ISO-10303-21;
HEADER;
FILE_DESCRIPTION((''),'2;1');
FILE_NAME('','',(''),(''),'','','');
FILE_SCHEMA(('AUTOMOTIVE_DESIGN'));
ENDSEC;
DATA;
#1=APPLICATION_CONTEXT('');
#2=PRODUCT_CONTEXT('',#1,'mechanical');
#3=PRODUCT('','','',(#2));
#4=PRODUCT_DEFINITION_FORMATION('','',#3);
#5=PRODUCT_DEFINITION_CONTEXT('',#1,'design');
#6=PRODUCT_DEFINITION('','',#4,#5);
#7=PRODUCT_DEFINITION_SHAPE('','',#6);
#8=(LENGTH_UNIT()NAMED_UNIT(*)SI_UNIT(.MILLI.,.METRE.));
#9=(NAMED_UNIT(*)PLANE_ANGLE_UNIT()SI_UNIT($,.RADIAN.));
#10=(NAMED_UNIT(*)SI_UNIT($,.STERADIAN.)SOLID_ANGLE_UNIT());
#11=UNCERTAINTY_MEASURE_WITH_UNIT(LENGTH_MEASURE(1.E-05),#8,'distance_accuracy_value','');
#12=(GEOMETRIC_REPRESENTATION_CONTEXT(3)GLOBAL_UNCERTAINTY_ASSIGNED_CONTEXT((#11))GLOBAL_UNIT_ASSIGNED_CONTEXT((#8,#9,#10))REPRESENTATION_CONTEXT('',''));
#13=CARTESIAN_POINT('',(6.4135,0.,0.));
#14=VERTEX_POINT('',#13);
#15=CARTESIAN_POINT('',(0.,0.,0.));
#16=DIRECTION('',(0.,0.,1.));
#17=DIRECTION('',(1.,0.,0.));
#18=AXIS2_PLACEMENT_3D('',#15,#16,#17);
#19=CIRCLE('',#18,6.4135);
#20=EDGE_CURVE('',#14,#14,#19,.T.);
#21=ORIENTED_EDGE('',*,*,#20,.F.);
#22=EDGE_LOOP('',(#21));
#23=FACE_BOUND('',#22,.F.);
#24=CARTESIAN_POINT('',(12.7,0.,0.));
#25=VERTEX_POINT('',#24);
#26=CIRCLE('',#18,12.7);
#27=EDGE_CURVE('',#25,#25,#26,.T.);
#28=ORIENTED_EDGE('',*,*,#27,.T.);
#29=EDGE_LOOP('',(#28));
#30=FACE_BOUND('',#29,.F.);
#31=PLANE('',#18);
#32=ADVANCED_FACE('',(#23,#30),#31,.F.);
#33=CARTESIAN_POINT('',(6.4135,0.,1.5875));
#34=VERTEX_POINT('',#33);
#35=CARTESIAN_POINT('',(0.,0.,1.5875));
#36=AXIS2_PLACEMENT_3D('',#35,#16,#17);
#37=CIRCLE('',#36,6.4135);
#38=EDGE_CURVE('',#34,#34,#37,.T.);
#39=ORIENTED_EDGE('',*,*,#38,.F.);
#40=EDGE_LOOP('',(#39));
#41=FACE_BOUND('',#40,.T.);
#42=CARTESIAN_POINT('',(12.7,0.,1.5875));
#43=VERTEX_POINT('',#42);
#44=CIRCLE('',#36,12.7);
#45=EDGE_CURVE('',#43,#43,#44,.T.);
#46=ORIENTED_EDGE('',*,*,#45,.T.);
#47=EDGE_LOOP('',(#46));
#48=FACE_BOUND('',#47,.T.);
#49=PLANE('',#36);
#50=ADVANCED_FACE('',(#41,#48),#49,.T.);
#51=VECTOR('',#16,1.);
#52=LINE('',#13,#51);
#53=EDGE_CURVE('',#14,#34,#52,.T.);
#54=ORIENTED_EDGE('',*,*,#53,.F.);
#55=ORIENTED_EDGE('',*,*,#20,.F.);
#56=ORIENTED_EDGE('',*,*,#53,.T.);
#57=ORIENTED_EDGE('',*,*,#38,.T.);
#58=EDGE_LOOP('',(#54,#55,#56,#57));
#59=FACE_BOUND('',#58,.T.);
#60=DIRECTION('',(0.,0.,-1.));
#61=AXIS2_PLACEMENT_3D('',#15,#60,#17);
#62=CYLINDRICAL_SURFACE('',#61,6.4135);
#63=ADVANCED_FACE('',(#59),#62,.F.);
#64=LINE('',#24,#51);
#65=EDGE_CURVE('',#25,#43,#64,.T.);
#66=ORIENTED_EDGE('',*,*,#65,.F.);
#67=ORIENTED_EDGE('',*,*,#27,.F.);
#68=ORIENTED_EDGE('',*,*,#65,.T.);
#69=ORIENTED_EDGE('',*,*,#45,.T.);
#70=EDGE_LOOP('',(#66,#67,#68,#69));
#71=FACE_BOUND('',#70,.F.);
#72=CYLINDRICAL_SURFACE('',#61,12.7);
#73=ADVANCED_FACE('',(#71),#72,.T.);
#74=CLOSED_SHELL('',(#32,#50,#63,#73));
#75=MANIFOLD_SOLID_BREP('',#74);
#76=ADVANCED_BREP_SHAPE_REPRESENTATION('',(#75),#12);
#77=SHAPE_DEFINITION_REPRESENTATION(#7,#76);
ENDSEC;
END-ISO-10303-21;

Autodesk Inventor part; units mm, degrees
ref_plane "YZ Plane" through (0, 0, 0) normal (1, 0, 0) x (0, 1, 0)
ref_plane "XZ Plane" through (0, 0, 0) normal (0, 1, 0) x (-1, 0, 0)
ref_plane "XY Plane" through (0, 0, 0) normal (0, 0, 1) x (1, 0, 0)
sketch "Sketch1" plane through (0, 0, 0) normal (0, 0, 1) x (1, 0, 0)
  circle A0 centre (0, 0) radius 6.4135
  circle A1 centre (0, 0) radius 12.7
  dimension "d0" = 12.827
  dimension "d1" = 25.4
extrude "Extrusion1" add sketch "Sketch1" along normal blind 1.5875
properties part number "ThrustWasherPrimary" material "Bronze, Cast"
